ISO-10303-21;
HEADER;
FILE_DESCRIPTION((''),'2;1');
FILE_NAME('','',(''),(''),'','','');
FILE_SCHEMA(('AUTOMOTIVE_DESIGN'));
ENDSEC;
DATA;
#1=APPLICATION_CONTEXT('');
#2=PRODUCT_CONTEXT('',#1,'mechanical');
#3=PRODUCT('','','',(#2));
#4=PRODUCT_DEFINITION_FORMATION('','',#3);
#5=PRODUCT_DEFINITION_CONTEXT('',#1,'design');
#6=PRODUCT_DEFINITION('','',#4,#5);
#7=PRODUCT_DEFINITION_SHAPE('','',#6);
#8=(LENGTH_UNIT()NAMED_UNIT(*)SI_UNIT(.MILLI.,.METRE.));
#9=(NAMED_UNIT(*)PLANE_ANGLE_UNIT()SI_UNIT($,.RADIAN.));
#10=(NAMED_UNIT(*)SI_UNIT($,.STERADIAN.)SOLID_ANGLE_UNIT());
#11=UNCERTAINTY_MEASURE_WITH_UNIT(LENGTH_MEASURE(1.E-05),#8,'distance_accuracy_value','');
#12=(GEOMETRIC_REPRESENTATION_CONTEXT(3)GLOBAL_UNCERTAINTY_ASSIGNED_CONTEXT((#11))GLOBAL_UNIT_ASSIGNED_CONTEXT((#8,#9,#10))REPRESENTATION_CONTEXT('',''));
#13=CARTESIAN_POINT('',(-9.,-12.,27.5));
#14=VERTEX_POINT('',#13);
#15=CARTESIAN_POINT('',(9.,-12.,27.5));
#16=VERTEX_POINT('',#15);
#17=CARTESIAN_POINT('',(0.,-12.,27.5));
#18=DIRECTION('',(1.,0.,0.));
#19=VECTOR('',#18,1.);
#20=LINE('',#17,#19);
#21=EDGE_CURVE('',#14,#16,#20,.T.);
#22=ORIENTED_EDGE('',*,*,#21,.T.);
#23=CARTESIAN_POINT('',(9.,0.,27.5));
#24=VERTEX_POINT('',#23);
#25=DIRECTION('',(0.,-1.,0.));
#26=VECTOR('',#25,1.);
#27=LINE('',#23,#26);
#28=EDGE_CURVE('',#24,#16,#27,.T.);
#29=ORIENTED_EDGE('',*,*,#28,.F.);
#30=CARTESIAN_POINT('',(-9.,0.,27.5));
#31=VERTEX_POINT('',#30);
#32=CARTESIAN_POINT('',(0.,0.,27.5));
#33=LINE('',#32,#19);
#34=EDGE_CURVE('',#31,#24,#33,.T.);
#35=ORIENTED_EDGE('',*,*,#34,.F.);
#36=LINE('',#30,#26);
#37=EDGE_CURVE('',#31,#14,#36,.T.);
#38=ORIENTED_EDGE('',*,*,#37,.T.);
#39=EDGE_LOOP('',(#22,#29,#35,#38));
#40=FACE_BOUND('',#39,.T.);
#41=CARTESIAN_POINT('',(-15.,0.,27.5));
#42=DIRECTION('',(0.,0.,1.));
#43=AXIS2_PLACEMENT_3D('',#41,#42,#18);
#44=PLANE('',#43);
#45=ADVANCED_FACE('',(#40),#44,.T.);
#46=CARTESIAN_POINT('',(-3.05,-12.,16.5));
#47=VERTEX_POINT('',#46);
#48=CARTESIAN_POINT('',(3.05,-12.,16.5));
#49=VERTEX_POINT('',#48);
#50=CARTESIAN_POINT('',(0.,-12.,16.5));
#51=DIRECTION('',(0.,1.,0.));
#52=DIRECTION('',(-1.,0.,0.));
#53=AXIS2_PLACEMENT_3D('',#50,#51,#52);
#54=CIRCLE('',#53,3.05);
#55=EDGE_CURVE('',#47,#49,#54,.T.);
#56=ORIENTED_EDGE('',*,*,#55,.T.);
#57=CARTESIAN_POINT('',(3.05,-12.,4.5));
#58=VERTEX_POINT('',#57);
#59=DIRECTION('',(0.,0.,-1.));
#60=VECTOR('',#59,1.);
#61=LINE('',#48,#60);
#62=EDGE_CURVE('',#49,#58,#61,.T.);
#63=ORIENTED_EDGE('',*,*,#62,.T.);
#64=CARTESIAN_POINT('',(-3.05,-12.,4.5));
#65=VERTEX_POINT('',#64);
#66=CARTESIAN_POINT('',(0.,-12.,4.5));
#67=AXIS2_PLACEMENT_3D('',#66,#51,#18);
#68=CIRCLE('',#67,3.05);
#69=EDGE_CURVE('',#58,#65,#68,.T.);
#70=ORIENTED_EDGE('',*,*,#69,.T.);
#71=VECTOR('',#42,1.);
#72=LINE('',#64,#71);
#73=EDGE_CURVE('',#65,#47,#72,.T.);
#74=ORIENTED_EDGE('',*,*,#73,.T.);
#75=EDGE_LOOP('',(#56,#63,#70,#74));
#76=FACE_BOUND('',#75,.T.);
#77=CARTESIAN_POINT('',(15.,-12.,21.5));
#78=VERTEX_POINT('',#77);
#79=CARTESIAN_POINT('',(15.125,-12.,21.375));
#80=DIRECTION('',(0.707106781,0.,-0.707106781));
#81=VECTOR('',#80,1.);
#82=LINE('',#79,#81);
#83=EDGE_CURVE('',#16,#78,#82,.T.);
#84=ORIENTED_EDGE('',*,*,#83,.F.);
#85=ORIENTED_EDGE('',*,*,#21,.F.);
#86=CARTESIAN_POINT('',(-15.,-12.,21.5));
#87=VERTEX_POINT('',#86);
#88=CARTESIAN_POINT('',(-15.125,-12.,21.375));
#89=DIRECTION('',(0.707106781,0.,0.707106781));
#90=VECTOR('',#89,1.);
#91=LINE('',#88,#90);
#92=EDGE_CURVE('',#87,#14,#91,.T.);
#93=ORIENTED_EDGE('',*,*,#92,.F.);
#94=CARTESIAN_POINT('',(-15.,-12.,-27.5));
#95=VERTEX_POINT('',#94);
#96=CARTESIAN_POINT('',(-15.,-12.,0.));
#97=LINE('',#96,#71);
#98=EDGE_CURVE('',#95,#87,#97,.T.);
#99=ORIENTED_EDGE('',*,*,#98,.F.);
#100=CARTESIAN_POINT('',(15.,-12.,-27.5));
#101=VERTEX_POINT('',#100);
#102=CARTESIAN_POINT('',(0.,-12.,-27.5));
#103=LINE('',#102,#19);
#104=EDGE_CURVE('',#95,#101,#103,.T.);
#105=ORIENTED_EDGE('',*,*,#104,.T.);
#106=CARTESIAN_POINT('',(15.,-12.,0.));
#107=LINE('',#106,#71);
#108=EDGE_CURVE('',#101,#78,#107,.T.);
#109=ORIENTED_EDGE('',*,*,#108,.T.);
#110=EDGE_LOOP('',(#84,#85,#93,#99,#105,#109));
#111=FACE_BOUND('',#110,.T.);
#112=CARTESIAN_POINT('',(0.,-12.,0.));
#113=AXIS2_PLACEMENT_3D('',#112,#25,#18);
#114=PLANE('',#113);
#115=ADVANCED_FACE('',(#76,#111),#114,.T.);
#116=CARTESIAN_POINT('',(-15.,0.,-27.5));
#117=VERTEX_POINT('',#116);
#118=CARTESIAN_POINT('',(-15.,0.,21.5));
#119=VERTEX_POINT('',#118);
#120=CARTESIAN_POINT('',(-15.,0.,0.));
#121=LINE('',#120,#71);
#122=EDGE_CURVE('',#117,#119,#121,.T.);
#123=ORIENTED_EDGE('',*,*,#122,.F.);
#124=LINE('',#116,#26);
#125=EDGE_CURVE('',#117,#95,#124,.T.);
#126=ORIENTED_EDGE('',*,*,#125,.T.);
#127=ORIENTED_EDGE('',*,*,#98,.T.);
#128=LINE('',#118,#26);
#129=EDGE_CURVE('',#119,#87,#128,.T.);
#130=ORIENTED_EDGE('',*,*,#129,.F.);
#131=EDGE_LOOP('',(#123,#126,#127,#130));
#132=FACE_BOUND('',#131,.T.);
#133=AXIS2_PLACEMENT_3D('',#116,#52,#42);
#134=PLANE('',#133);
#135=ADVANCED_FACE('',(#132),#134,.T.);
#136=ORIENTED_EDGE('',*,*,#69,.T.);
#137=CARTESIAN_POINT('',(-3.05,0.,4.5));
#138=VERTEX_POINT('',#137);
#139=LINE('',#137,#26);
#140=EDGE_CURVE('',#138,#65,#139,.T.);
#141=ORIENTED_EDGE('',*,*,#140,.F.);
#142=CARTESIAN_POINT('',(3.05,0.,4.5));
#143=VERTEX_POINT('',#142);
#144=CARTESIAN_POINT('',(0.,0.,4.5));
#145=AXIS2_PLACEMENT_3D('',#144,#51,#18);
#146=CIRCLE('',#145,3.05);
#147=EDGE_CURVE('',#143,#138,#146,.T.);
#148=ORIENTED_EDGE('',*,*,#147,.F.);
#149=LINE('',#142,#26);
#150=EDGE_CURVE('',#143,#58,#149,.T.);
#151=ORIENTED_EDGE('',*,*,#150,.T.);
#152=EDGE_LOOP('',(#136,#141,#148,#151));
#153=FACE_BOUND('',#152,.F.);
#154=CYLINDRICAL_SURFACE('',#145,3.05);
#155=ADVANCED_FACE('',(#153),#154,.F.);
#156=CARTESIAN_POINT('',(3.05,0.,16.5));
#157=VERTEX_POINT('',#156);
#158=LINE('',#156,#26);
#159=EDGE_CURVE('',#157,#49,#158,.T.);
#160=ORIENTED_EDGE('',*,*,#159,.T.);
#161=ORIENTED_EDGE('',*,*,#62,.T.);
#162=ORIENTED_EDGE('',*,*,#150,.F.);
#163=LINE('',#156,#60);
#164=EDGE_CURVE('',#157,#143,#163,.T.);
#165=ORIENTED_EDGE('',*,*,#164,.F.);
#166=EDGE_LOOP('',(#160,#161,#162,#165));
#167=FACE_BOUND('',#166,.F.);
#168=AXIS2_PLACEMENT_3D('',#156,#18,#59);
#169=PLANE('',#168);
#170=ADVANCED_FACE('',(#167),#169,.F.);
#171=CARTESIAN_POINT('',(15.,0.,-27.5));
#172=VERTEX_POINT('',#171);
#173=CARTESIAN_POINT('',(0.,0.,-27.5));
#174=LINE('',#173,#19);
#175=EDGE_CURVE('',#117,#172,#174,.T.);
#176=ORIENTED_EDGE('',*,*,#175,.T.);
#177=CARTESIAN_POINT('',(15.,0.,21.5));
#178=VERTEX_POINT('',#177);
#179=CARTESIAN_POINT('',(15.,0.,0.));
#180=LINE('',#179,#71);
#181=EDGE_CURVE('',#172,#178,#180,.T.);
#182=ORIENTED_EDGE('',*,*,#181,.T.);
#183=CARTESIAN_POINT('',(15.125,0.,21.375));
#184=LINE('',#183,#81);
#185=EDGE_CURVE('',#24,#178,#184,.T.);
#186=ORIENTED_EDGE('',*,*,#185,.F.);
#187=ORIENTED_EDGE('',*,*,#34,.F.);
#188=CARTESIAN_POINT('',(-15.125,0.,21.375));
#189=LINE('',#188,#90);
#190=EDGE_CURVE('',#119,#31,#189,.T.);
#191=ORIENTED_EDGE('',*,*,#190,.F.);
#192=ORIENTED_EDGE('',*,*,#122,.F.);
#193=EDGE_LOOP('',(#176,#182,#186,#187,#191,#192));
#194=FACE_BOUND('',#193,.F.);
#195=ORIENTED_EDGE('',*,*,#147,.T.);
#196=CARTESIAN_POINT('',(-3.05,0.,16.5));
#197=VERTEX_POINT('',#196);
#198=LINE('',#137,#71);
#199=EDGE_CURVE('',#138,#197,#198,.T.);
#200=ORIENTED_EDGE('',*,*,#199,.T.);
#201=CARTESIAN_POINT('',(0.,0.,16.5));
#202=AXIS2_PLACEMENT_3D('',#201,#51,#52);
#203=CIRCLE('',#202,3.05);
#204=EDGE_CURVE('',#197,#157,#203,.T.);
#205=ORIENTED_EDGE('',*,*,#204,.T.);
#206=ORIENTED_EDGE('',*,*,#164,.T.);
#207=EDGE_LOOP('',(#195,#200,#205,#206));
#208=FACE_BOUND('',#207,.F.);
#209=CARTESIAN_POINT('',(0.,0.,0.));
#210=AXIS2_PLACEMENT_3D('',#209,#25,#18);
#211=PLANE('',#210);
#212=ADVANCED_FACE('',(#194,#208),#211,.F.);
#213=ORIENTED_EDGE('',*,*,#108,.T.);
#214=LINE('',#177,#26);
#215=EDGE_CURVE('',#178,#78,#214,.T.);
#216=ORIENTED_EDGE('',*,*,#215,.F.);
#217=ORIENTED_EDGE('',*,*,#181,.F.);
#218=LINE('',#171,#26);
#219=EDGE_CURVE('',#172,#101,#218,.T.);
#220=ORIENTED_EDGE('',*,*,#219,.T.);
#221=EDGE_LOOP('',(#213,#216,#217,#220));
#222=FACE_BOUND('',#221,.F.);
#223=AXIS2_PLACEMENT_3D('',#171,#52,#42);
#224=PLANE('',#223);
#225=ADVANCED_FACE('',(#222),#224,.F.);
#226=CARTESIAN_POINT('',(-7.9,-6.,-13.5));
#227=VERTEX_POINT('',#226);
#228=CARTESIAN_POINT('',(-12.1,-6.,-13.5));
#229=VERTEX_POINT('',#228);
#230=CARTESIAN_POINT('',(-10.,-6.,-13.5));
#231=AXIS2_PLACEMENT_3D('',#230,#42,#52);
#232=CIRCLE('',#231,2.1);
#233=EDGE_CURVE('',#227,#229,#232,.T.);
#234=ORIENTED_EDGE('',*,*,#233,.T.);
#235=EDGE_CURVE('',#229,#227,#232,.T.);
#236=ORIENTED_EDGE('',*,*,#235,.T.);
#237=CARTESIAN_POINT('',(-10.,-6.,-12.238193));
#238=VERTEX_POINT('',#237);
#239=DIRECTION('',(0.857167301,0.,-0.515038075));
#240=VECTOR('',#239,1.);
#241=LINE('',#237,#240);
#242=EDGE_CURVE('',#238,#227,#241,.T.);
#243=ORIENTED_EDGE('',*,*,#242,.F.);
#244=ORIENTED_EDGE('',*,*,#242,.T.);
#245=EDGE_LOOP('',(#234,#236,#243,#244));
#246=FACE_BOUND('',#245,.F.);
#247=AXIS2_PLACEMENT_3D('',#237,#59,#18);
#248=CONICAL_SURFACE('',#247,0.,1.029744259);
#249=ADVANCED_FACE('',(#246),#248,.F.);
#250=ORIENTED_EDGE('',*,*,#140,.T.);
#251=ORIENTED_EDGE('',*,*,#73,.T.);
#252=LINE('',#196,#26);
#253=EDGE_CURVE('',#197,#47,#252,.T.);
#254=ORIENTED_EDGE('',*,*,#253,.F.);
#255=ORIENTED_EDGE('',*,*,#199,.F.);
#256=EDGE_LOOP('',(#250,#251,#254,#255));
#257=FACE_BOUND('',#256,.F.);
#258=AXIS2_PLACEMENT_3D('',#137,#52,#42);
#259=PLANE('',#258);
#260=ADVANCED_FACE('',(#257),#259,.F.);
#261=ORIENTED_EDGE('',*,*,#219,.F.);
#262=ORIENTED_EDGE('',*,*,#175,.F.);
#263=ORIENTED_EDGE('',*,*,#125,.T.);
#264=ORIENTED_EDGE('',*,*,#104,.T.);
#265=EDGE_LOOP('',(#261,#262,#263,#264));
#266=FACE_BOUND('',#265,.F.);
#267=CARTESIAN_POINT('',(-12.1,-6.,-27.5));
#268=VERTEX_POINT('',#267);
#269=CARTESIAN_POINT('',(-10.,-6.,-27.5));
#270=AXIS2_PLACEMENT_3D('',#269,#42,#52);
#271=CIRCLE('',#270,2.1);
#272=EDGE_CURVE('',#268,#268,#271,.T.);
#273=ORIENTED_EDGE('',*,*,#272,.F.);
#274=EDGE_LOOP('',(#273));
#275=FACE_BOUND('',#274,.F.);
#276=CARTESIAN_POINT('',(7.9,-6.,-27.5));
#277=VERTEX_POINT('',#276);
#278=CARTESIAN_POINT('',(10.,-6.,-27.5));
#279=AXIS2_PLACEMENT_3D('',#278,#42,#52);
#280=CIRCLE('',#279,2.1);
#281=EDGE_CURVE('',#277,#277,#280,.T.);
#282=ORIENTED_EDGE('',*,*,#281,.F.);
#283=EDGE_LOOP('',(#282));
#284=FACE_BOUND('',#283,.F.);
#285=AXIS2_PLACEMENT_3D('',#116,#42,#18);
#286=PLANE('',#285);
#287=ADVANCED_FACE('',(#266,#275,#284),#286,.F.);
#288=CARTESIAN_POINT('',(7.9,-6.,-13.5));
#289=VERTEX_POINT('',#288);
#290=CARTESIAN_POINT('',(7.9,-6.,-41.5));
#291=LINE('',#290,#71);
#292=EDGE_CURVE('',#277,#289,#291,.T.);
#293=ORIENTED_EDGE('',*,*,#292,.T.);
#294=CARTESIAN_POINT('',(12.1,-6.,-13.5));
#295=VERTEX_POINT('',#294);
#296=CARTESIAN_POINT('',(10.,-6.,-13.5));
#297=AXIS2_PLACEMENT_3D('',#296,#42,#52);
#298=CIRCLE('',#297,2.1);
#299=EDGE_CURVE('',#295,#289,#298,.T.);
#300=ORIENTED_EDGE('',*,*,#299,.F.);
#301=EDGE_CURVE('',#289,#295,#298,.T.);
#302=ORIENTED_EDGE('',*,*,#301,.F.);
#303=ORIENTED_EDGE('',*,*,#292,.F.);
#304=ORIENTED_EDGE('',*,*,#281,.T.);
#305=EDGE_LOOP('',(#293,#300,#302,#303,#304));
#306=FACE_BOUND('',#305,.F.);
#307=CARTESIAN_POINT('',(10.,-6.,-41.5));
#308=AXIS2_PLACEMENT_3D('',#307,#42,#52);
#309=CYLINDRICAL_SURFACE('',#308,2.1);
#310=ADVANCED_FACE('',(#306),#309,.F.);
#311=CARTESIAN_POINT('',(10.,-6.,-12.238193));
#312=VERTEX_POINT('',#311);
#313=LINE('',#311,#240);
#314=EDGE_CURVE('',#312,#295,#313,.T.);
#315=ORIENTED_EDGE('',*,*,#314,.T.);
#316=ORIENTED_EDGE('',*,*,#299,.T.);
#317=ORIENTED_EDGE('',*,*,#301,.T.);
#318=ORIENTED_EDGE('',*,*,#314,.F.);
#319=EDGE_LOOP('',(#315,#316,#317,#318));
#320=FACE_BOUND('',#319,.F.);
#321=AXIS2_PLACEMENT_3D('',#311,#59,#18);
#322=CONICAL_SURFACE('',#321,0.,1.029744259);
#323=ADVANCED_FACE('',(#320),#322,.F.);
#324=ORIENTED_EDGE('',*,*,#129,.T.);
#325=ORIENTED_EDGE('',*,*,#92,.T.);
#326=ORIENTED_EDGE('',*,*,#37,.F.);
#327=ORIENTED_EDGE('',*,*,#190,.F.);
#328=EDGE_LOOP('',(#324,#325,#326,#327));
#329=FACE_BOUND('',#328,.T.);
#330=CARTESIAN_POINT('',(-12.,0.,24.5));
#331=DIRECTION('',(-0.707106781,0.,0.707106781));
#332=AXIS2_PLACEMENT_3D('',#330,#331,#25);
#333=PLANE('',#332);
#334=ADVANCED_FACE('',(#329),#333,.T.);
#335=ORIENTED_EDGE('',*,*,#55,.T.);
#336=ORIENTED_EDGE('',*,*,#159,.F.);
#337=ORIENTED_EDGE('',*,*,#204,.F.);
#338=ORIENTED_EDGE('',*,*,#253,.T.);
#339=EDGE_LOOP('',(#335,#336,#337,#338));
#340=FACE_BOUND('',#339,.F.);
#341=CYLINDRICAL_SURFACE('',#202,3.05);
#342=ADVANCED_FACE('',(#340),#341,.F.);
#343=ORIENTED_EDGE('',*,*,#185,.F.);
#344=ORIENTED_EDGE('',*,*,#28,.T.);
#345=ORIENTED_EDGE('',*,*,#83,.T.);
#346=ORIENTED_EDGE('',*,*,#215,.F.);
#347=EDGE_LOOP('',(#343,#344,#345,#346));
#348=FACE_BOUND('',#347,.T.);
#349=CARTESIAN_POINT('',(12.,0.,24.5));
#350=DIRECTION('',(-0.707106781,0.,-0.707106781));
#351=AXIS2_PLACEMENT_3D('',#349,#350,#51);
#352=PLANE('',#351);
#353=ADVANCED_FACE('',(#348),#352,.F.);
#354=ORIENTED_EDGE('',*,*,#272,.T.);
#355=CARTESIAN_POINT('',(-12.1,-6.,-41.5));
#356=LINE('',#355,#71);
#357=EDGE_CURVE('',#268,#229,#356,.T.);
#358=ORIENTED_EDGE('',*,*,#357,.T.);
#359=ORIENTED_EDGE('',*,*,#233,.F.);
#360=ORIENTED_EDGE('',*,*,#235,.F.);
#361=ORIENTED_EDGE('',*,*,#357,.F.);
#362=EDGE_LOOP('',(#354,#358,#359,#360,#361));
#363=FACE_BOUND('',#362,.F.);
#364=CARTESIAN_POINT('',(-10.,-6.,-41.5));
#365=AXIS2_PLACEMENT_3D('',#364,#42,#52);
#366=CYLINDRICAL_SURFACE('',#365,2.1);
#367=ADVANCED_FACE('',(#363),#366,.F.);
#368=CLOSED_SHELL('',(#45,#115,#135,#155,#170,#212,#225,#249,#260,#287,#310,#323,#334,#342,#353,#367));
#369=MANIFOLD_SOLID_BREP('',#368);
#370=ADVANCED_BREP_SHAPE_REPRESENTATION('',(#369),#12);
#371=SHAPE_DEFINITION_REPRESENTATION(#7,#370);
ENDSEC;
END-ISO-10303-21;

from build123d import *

# Parameters (mm, degrees)
F0_W     = 30
F0_H     = 55
F1_DEPTH = 12
F2_SIZE  = 6
F4_D     = 4.2
F4_DEPTH = 14
F4_TIP   = 1.2618073


with BuildPart() as f1:
    # F0 (on Front) → F1 (new body)
    with BuildSketch(Plane.XZ):
        Rectangle(F0_W, F0_H)
        with BuildLine():
            ThreePointArc((-3.05, 16.5), (0, 19.55), (3.05, 16.5))
            Line((3.05, 16.5), (3.05, 4.5))
            ThreePointArc((3.05, 4.5), (0, 1.45), (-3.05, 4.5))
            Line((-3.05, 4.5), (-3.05, 16.5))
        make_face(mode=Mode.SUBTRACT)
    extrude(amount=F1_DEPTH)

    # F2
    f2_edges = [f1.edges().sort_by_distance(p)[0] for p in [
        (-15, -6, 27.5),
        (15, -6, 27.5),
    ]]
    chamfer(f2_edges, length=F2_SIZE)

    # F4
    with Locations(Plane(origin=(0, 0, -27.5), x_dir=(1, 0, 0), z_dir=(0, 0, -1))):
        with Locations((-10, 6), (10, 6)):
            Hole(F4_D / 2, depth=F4_DEPTH)
            with Locations((0, 0, -(F4_DEPTH + F4_TIP / 2))):  # 118° drill point
                Cone(0, F4_D / 2, F4_TIP, mode=Mode.SUBTRACT)


solid = f1.part
